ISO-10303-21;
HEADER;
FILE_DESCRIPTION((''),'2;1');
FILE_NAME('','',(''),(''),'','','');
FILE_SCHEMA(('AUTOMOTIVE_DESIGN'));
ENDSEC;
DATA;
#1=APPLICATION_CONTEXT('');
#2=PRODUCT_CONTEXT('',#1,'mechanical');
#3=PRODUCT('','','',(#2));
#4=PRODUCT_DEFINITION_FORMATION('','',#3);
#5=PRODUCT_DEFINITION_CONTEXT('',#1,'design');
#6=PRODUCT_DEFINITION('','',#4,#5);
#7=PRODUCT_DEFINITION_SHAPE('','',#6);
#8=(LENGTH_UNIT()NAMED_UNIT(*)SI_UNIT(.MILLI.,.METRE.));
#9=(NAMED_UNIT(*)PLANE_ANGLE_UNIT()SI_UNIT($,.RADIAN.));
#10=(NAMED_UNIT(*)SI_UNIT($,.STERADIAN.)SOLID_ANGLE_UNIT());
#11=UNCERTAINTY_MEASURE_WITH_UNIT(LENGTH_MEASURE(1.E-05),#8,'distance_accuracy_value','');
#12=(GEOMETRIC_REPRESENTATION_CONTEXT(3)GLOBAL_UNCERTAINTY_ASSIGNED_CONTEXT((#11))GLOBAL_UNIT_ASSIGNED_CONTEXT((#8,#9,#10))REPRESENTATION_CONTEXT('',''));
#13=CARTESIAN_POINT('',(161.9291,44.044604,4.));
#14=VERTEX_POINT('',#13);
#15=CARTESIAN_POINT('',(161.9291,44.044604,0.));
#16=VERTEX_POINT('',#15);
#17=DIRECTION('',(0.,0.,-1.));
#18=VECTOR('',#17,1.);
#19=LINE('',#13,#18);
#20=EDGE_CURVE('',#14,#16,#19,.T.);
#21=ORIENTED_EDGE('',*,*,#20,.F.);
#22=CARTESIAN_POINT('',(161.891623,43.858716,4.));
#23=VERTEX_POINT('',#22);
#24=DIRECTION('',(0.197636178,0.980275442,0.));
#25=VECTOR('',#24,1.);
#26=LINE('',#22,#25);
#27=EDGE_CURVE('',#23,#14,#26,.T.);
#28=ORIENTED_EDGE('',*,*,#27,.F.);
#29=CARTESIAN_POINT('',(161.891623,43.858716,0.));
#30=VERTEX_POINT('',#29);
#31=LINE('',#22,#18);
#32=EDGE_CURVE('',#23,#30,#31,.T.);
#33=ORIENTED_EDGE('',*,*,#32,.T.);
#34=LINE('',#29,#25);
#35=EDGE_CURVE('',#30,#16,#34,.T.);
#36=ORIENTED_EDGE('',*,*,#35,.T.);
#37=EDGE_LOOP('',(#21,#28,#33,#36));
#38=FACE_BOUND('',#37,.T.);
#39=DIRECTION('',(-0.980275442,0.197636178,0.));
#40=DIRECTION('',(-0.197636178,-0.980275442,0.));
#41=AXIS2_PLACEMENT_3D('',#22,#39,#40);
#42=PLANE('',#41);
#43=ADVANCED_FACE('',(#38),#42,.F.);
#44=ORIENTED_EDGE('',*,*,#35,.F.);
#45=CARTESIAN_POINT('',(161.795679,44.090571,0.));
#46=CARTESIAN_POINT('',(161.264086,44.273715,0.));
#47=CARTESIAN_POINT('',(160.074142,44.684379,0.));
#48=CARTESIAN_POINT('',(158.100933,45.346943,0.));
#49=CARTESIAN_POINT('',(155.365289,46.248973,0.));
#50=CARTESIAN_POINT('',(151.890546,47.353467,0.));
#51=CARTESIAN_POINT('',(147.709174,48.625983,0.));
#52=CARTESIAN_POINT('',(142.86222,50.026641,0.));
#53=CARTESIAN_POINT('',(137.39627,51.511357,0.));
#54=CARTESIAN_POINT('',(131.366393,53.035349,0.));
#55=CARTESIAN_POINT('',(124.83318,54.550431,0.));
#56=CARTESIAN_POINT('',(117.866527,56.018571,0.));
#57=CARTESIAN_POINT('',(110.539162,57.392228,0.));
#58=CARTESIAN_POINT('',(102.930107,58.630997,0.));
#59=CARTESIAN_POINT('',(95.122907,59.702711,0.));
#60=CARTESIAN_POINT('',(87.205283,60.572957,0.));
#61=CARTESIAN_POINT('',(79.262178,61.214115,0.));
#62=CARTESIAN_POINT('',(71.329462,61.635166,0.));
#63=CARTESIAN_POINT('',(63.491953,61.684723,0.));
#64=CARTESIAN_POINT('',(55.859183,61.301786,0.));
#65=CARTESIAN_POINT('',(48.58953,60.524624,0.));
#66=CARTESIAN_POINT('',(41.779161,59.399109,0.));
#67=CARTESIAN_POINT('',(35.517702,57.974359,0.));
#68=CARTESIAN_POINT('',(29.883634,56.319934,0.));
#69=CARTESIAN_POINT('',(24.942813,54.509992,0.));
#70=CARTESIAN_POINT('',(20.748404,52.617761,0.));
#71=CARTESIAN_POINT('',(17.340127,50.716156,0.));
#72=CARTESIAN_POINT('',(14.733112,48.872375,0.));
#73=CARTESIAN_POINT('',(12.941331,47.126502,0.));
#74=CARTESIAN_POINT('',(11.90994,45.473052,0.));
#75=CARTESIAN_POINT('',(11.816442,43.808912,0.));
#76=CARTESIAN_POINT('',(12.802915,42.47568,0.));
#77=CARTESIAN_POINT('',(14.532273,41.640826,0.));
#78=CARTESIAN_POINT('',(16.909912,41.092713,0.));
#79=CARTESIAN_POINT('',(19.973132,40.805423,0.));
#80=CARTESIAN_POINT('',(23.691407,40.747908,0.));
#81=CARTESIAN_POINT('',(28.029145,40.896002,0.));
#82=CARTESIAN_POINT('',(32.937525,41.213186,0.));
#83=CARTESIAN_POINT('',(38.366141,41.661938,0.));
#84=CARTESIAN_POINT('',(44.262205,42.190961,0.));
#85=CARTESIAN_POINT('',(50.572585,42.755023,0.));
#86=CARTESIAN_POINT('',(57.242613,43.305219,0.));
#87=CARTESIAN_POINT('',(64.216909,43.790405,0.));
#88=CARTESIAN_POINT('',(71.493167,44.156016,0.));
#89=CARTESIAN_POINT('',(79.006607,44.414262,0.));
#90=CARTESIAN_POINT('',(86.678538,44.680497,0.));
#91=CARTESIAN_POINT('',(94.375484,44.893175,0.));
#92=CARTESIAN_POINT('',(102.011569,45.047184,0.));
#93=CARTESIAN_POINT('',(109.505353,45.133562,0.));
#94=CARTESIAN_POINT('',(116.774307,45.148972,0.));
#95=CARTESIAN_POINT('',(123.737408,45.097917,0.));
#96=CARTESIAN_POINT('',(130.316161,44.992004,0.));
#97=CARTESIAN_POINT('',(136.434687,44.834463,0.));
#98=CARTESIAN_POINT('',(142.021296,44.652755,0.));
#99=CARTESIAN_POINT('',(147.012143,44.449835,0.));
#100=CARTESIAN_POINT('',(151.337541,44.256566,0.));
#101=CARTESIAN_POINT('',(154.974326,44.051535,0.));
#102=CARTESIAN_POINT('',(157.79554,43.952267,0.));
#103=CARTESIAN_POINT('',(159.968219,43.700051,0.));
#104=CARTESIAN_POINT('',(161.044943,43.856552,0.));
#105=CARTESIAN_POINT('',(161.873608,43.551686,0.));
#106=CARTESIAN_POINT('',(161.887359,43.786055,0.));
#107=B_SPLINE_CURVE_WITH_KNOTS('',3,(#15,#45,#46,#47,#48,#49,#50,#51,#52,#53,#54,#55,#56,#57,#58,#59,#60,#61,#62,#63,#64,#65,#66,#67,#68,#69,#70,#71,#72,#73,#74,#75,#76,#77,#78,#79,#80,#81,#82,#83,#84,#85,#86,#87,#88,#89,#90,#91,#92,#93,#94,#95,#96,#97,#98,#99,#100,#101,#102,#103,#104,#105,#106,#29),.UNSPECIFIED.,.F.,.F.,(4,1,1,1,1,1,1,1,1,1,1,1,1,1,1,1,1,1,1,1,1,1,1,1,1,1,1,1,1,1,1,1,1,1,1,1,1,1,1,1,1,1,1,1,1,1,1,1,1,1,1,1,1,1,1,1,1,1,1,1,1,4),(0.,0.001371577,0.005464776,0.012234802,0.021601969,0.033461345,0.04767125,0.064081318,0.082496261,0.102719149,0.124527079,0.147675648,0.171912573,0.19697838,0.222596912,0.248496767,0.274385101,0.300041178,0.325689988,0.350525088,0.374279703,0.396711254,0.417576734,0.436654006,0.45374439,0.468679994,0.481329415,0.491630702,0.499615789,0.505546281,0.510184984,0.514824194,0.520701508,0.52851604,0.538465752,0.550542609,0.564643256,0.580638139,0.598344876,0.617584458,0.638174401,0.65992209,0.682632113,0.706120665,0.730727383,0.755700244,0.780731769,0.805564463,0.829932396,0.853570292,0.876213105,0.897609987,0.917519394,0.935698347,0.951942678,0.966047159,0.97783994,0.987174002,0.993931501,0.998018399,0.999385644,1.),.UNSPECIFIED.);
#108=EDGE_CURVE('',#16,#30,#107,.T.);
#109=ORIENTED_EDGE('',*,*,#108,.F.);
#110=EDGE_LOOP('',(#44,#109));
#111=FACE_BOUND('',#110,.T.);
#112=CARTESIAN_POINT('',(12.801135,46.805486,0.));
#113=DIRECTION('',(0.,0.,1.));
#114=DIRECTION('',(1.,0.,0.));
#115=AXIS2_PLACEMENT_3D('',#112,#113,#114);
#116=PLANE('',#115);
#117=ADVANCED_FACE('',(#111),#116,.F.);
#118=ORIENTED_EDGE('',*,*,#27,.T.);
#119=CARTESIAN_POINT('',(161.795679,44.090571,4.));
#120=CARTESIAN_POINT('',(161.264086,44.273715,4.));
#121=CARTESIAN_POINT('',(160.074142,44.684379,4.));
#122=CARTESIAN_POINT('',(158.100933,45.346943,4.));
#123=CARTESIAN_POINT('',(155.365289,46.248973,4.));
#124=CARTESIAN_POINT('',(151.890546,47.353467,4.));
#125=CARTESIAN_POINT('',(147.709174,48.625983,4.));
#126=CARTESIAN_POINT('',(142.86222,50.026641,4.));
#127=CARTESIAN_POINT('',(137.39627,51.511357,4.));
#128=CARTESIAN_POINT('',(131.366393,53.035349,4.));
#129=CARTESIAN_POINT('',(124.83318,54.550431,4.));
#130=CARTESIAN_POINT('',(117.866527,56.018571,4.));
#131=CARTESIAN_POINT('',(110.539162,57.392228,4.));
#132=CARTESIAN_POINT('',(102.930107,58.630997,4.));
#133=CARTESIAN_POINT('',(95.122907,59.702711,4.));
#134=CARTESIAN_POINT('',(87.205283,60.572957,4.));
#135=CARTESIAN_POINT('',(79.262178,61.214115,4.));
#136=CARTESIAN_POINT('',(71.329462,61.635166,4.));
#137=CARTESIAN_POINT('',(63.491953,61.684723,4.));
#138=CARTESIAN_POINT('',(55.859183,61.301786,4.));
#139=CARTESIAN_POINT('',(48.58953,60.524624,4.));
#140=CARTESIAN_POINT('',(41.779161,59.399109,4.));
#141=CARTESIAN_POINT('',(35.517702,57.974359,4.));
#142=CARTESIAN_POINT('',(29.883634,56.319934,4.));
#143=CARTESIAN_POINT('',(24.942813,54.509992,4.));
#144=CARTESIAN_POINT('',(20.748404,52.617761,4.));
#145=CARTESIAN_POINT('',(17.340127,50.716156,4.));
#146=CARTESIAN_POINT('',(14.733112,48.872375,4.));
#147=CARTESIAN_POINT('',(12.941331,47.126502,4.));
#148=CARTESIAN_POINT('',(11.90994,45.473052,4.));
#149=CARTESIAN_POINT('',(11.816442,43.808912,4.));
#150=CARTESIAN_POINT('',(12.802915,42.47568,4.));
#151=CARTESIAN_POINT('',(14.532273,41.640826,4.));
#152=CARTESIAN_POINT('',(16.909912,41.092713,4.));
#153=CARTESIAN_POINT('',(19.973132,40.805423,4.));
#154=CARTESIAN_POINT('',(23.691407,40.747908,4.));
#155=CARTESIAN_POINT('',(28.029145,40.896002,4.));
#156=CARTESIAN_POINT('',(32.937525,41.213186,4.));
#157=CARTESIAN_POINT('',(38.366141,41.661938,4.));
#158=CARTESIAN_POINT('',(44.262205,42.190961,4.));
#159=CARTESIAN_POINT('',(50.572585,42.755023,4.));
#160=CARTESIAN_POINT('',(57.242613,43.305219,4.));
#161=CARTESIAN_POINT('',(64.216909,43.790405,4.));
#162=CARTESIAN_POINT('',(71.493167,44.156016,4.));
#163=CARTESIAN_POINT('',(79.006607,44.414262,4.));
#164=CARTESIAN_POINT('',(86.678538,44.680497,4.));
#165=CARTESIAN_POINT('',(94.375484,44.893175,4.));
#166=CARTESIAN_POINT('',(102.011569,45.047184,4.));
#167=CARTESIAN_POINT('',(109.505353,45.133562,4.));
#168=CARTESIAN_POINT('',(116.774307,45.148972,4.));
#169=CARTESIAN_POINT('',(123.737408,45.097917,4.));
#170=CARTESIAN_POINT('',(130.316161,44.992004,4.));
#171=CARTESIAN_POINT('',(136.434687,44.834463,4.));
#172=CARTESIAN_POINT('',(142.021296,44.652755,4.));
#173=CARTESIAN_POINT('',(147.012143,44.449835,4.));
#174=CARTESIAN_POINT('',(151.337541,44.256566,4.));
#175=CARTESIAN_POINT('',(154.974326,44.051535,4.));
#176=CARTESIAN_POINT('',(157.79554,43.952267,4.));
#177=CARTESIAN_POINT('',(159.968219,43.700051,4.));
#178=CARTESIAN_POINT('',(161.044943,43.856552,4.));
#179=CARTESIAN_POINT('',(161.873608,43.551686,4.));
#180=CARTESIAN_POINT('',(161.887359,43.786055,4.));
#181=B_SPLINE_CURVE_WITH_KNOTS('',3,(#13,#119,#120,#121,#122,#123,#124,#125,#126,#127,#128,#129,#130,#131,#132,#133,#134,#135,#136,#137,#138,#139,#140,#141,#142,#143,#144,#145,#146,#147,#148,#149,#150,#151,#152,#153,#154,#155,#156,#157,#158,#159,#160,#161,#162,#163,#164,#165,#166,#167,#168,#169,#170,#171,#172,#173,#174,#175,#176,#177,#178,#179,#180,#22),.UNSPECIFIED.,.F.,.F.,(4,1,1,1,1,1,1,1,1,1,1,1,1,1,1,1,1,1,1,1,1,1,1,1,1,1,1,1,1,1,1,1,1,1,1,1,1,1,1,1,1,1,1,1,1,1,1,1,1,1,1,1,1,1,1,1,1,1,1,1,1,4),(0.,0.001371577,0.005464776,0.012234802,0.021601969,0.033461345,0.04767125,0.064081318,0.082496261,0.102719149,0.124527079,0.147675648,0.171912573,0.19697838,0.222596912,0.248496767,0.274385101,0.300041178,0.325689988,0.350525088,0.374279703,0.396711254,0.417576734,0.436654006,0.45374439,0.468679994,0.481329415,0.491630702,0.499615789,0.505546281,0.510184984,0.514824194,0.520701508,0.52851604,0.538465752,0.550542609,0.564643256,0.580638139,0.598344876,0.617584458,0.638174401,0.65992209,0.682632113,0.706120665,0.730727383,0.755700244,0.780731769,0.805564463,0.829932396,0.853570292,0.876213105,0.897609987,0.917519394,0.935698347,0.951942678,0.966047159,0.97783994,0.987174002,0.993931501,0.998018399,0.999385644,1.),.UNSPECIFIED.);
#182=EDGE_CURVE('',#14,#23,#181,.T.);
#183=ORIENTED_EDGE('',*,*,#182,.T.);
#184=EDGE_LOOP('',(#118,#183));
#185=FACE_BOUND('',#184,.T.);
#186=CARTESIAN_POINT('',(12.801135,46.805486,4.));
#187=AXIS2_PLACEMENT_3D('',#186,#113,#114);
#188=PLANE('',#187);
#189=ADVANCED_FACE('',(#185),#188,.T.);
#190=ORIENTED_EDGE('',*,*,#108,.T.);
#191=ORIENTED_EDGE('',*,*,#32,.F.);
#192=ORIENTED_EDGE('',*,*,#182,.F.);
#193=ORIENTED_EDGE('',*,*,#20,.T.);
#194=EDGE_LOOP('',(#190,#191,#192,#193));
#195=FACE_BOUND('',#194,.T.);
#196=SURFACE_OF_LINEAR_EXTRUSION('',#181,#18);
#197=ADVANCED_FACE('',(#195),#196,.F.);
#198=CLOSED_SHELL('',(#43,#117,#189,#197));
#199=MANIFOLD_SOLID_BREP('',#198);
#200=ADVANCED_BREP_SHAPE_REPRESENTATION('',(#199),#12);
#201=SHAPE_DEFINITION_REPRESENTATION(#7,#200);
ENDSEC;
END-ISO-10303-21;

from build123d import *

# Parameters (mm, degrees)
BOSS_EXTRUDE1_DEPTH = 4


with BuildPart() as part:
    # Sketch4 → Boss-Extrude1 (new body)
    with BuildSketch(Plane.XY):
        with BuildLine():
            Line((161.891622908, 43.858716117), (161.929100397, 44.044604466))
            add(Edge.make_bspline(
                [(161.929100397, 44.044604466), (161.795678545, 44.090570928), (161.26408556, 44.273715206), (160.074141782, 44.684379157), (158.100932585, 45.346942772), (155.365289102, 46.248973127), (151.890546461, 47.353466685), (147.709173725, 48.625983179), (142.862219871, 50.026640605), (137.396269649, 51.511357346), (131.366392874, 53.035349328), (124.833179773, 54.550430689), (117.866527056, 56.018570784), (110.53916232, 57.392228166), (102.930106923, 58.630997493), (95.122906581, 59.702711047), (87.205283263, 60.57295661), (79.262177626, 61.214114685), (71.329461943, 61.635166438), (63.491952734, 61.684723238), (55.859182556, 61.301786114), (48.589529533, 60.52462408), (41.779161498, 59.399108946), (35.517702153, 57.974359093), (29.883633894, 56.319934494), (24.942812939, 54.509992034), (20.748404258, 52.61776102), (17.340127305, 50.716155562), (14.733111784, 48.872374663), (12.941331266, 47.126502105), (11.909939703, 45.473051771), (11.816442063, 43.808911915), (12.802914522, 42.475680069), (14.532273197, 41.640825649), (16.909912047, 41.092713436), (19.973132028, 40.805423124), (23.691407373, 40.747908247), (28.029144691, 40.896002128), (32.93752452, 41.213186122), (38.366140698, 41.661938446), (44.262204877, 42.190960586), (50.572585372, 42.755023336), (57.242613439, 43.305219124), (64.216908544, 43.790404795), (71.493166781, 44.156016099), (79.00660687, 44.414261901), (86.678537907, 44.680497225), (94.375484086, 44.893175452), (102.011569492, 45.047184263), (109.505352704, 45.133561595), (116.774307332, 45.148972249), (123.737407561, 45.097917318), (130.316160678, 44.992004461), (136.434686881, 44.834462643), (142.021295536, 44.652755157), (147.012142723, 44.449834839), (151.337541471, 44.256565585), (154.974326459, 44.051534679), (157.795540149, 43.95226703), (159.968219037, 43.700051338), (161.044942863, 43.856551882), (161.873607649, 43.551685856), (161.887359438, 43.786054697), (161.891622908, 43.858716117)],
                knots=[0, 0, 0, 0, 0.001371577, 0.005464776, 0.012234802, 0.021601969, 0.033461345, 0.04767125, 0.064081318, 0.082496261, 0.102719149, 0.124527079, 0.147675648, 0.171912573, 0.19697838, 0.222596912, 0.248496767, 0.274385101, 0.300041178, 0.325689988, 0.350525088, 0.374279703, 0.396711254, 0.417576734, 0.436654006, 0.45374439, 0.468679994, 0.481329415, 0.491630702, 0.499615789, 0.505546281, 0.510184984, 0.514824194, 0.520701508, 0.52851604, 0.538465752, 0.550542609, 0.564643256, 0.580638139, 0.598344876, 0.617584458, 0.638174401, 0.65992209, 0.682632113, 0.706120665, 0.730727383, 0.755700244, 0.780731769, 0.805564463, 0.829932396, 0.853570292, 0.876213105, 0.897609987, 0.917519394, 0.935698347, 0.951942678, 0.966047159, 0.97783994, 0.987174002, 0.993931501, 0.998018399, 0.999385644, 1, 1, 1, 1], degree=3))
        make_face()
    extrude(amount=BOSS_EXTRUDE1_DEPTH)


solid = part.part
